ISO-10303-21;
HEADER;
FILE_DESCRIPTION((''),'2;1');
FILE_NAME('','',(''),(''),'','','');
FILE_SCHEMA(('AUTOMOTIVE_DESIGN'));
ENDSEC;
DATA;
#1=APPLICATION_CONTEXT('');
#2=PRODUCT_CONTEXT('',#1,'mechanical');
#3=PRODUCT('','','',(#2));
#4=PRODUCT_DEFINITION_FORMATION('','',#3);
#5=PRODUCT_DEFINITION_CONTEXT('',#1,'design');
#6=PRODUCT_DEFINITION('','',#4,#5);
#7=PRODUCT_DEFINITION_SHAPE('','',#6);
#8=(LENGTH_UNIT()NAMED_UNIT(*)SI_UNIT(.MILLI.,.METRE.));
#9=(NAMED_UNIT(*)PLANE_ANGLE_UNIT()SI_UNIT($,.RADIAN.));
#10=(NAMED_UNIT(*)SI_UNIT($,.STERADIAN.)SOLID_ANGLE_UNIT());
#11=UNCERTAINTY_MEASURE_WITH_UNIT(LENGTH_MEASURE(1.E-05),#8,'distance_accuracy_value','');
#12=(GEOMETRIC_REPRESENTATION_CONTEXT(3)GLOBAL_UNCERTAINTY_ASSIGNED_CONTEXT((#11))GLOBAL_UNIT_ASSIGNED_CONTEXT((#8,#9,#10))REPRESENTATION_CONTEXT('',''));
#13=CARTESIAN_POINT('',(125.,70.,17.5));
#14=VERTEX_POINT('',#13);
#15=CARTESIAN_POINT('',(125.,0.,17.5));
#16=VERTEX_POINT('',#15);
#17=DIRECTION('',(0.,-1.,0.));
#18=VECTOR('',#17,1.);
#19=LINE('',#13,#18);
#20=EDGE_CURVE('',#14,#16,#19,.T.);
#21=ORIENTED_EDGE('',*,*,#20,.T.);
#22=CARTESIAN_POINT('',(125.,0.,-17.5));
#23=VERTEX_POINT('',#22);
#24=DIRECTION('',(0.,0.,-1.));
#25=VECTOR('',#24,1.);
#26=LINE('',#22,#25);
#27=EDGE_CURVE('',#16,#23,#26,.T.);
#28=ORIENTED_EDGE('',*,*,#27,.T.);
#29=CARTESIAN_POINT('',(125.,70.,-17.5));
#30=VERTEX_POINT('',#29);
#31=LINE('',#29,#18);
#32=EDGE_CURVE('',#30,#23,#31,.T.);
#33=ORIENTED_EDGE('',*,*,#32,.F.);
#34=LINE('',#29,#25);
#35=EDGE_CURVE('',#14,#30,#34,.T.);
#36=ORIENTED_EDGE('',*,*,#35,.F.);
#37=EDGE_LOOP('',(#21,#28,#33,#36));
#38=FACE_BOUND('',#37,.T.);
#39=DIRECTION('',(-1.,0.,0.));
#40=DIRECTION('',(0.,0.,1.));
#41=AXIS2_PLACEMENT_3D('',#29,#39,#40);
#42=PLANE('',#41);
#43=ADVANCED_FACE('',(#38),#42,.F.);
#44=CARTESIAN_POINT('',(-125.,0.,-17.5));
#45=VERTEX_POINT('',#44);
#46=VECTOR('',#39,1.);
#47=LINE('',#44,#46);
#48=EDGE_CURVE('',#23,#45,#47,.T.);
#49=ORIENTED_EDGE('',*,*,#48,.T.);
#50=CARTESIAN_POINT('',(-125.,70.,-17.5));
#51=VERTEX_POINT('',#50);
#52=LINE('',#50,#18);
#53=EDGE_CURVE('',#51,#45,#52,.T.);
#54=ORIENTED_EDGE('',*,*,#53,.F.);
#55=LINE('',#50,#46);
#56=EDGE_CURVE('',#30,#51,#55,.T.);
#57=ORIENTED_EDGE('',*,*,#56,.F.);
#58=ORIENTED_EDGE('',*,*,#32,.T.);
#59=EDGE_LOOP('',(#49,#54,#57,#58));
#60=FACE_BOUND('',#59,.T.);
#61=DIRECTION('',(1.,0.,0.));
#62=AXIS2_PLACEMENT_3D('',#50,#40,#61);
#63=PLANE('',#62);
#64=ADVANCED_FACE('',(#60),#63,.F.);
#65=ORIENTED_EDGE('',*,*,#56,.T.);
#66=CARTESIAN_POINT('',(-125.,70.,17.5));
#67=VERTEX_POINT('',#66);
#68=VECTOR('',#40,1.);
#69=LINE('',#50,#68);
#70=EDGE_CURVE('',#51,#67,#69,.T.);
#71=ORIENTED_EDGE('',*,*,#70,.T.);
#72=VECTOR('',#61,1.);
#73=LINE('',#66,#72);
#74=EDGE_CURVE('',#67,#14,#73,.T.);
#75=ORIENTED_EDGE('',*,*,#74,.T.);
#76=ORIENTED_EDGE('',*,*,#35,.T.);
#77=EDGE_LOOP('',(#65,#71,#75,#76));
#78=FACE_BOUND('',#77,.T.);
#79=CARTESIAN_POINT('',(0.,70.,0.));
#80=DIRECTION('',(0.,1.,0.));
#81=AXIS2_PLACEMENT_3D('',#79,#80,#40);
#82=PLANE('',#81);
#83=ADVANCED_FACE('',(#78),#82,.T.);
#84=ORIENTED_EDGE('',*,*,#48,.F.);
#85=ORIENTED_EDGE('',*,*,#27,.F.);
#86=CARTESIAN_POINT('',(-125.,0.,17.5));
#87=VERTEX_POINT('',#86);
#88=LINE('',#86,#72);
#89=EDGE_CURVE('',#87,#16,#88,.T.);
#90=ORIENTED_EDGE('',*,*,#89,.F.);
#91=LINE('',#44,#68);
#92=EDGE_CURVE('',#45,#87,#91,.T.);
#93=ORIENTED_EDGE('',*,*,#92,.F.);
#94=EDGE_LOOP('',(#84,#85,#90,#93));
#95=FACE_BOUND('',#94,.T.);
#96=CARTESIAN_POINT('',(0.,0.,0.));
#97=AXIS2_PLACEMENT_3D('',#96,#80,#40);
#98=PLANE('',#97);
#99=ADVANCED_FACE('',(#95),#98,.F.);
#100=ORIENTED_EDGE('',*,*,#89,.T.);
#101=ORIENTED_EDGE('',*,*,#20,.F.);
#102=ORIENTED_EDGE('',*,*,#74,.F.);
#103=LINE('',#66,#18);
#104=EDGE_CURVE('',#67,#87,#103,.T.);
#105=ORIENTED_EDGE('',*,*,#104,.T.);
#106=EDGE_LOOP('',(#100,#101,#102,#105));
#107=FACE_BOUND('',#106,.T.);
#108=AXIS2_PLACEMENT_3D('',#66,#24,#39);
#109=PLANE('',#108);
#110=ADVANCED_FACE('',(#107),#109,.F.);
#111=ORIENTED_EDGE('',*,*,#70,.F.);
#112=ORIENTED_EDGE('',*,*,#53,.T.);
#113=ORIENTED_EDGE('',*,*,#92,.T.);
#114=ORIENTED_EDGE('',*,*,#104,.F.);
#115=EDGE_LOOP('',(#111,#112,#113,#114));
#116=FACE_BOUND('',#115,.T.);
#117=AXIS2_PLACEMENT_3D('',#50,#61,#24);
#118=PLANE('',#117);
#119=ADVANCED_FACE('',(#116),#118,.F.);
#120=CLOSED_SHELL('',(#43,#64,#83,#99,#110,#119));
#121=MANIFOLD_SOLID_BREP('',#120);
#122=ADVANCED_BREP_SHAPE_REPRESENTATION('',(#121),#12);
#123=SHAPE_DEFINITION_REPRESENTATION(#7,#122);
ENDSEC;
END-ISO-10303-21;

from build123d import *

# Parameters (mm, degrees)
ESQUISSE1_W        = 250
ESQUISSE1_H        = 35
BOSS_EXTRU_1_DEPTH = 70


with BuildPart() as part:
    # Esquisse1 → Boss.-Extru.1 (new body)
    with BuildSketch(Plane(origin=(0, 0, 0), x_dir=(1, 0, 0), z_dir=(0, 1, 0))):
        Rectangle(ESQUISSE1_W, ESQUISSE1_H)
    extrude(amount=BOSS_EXTRU_1_DEPTH)


solid = part.part
